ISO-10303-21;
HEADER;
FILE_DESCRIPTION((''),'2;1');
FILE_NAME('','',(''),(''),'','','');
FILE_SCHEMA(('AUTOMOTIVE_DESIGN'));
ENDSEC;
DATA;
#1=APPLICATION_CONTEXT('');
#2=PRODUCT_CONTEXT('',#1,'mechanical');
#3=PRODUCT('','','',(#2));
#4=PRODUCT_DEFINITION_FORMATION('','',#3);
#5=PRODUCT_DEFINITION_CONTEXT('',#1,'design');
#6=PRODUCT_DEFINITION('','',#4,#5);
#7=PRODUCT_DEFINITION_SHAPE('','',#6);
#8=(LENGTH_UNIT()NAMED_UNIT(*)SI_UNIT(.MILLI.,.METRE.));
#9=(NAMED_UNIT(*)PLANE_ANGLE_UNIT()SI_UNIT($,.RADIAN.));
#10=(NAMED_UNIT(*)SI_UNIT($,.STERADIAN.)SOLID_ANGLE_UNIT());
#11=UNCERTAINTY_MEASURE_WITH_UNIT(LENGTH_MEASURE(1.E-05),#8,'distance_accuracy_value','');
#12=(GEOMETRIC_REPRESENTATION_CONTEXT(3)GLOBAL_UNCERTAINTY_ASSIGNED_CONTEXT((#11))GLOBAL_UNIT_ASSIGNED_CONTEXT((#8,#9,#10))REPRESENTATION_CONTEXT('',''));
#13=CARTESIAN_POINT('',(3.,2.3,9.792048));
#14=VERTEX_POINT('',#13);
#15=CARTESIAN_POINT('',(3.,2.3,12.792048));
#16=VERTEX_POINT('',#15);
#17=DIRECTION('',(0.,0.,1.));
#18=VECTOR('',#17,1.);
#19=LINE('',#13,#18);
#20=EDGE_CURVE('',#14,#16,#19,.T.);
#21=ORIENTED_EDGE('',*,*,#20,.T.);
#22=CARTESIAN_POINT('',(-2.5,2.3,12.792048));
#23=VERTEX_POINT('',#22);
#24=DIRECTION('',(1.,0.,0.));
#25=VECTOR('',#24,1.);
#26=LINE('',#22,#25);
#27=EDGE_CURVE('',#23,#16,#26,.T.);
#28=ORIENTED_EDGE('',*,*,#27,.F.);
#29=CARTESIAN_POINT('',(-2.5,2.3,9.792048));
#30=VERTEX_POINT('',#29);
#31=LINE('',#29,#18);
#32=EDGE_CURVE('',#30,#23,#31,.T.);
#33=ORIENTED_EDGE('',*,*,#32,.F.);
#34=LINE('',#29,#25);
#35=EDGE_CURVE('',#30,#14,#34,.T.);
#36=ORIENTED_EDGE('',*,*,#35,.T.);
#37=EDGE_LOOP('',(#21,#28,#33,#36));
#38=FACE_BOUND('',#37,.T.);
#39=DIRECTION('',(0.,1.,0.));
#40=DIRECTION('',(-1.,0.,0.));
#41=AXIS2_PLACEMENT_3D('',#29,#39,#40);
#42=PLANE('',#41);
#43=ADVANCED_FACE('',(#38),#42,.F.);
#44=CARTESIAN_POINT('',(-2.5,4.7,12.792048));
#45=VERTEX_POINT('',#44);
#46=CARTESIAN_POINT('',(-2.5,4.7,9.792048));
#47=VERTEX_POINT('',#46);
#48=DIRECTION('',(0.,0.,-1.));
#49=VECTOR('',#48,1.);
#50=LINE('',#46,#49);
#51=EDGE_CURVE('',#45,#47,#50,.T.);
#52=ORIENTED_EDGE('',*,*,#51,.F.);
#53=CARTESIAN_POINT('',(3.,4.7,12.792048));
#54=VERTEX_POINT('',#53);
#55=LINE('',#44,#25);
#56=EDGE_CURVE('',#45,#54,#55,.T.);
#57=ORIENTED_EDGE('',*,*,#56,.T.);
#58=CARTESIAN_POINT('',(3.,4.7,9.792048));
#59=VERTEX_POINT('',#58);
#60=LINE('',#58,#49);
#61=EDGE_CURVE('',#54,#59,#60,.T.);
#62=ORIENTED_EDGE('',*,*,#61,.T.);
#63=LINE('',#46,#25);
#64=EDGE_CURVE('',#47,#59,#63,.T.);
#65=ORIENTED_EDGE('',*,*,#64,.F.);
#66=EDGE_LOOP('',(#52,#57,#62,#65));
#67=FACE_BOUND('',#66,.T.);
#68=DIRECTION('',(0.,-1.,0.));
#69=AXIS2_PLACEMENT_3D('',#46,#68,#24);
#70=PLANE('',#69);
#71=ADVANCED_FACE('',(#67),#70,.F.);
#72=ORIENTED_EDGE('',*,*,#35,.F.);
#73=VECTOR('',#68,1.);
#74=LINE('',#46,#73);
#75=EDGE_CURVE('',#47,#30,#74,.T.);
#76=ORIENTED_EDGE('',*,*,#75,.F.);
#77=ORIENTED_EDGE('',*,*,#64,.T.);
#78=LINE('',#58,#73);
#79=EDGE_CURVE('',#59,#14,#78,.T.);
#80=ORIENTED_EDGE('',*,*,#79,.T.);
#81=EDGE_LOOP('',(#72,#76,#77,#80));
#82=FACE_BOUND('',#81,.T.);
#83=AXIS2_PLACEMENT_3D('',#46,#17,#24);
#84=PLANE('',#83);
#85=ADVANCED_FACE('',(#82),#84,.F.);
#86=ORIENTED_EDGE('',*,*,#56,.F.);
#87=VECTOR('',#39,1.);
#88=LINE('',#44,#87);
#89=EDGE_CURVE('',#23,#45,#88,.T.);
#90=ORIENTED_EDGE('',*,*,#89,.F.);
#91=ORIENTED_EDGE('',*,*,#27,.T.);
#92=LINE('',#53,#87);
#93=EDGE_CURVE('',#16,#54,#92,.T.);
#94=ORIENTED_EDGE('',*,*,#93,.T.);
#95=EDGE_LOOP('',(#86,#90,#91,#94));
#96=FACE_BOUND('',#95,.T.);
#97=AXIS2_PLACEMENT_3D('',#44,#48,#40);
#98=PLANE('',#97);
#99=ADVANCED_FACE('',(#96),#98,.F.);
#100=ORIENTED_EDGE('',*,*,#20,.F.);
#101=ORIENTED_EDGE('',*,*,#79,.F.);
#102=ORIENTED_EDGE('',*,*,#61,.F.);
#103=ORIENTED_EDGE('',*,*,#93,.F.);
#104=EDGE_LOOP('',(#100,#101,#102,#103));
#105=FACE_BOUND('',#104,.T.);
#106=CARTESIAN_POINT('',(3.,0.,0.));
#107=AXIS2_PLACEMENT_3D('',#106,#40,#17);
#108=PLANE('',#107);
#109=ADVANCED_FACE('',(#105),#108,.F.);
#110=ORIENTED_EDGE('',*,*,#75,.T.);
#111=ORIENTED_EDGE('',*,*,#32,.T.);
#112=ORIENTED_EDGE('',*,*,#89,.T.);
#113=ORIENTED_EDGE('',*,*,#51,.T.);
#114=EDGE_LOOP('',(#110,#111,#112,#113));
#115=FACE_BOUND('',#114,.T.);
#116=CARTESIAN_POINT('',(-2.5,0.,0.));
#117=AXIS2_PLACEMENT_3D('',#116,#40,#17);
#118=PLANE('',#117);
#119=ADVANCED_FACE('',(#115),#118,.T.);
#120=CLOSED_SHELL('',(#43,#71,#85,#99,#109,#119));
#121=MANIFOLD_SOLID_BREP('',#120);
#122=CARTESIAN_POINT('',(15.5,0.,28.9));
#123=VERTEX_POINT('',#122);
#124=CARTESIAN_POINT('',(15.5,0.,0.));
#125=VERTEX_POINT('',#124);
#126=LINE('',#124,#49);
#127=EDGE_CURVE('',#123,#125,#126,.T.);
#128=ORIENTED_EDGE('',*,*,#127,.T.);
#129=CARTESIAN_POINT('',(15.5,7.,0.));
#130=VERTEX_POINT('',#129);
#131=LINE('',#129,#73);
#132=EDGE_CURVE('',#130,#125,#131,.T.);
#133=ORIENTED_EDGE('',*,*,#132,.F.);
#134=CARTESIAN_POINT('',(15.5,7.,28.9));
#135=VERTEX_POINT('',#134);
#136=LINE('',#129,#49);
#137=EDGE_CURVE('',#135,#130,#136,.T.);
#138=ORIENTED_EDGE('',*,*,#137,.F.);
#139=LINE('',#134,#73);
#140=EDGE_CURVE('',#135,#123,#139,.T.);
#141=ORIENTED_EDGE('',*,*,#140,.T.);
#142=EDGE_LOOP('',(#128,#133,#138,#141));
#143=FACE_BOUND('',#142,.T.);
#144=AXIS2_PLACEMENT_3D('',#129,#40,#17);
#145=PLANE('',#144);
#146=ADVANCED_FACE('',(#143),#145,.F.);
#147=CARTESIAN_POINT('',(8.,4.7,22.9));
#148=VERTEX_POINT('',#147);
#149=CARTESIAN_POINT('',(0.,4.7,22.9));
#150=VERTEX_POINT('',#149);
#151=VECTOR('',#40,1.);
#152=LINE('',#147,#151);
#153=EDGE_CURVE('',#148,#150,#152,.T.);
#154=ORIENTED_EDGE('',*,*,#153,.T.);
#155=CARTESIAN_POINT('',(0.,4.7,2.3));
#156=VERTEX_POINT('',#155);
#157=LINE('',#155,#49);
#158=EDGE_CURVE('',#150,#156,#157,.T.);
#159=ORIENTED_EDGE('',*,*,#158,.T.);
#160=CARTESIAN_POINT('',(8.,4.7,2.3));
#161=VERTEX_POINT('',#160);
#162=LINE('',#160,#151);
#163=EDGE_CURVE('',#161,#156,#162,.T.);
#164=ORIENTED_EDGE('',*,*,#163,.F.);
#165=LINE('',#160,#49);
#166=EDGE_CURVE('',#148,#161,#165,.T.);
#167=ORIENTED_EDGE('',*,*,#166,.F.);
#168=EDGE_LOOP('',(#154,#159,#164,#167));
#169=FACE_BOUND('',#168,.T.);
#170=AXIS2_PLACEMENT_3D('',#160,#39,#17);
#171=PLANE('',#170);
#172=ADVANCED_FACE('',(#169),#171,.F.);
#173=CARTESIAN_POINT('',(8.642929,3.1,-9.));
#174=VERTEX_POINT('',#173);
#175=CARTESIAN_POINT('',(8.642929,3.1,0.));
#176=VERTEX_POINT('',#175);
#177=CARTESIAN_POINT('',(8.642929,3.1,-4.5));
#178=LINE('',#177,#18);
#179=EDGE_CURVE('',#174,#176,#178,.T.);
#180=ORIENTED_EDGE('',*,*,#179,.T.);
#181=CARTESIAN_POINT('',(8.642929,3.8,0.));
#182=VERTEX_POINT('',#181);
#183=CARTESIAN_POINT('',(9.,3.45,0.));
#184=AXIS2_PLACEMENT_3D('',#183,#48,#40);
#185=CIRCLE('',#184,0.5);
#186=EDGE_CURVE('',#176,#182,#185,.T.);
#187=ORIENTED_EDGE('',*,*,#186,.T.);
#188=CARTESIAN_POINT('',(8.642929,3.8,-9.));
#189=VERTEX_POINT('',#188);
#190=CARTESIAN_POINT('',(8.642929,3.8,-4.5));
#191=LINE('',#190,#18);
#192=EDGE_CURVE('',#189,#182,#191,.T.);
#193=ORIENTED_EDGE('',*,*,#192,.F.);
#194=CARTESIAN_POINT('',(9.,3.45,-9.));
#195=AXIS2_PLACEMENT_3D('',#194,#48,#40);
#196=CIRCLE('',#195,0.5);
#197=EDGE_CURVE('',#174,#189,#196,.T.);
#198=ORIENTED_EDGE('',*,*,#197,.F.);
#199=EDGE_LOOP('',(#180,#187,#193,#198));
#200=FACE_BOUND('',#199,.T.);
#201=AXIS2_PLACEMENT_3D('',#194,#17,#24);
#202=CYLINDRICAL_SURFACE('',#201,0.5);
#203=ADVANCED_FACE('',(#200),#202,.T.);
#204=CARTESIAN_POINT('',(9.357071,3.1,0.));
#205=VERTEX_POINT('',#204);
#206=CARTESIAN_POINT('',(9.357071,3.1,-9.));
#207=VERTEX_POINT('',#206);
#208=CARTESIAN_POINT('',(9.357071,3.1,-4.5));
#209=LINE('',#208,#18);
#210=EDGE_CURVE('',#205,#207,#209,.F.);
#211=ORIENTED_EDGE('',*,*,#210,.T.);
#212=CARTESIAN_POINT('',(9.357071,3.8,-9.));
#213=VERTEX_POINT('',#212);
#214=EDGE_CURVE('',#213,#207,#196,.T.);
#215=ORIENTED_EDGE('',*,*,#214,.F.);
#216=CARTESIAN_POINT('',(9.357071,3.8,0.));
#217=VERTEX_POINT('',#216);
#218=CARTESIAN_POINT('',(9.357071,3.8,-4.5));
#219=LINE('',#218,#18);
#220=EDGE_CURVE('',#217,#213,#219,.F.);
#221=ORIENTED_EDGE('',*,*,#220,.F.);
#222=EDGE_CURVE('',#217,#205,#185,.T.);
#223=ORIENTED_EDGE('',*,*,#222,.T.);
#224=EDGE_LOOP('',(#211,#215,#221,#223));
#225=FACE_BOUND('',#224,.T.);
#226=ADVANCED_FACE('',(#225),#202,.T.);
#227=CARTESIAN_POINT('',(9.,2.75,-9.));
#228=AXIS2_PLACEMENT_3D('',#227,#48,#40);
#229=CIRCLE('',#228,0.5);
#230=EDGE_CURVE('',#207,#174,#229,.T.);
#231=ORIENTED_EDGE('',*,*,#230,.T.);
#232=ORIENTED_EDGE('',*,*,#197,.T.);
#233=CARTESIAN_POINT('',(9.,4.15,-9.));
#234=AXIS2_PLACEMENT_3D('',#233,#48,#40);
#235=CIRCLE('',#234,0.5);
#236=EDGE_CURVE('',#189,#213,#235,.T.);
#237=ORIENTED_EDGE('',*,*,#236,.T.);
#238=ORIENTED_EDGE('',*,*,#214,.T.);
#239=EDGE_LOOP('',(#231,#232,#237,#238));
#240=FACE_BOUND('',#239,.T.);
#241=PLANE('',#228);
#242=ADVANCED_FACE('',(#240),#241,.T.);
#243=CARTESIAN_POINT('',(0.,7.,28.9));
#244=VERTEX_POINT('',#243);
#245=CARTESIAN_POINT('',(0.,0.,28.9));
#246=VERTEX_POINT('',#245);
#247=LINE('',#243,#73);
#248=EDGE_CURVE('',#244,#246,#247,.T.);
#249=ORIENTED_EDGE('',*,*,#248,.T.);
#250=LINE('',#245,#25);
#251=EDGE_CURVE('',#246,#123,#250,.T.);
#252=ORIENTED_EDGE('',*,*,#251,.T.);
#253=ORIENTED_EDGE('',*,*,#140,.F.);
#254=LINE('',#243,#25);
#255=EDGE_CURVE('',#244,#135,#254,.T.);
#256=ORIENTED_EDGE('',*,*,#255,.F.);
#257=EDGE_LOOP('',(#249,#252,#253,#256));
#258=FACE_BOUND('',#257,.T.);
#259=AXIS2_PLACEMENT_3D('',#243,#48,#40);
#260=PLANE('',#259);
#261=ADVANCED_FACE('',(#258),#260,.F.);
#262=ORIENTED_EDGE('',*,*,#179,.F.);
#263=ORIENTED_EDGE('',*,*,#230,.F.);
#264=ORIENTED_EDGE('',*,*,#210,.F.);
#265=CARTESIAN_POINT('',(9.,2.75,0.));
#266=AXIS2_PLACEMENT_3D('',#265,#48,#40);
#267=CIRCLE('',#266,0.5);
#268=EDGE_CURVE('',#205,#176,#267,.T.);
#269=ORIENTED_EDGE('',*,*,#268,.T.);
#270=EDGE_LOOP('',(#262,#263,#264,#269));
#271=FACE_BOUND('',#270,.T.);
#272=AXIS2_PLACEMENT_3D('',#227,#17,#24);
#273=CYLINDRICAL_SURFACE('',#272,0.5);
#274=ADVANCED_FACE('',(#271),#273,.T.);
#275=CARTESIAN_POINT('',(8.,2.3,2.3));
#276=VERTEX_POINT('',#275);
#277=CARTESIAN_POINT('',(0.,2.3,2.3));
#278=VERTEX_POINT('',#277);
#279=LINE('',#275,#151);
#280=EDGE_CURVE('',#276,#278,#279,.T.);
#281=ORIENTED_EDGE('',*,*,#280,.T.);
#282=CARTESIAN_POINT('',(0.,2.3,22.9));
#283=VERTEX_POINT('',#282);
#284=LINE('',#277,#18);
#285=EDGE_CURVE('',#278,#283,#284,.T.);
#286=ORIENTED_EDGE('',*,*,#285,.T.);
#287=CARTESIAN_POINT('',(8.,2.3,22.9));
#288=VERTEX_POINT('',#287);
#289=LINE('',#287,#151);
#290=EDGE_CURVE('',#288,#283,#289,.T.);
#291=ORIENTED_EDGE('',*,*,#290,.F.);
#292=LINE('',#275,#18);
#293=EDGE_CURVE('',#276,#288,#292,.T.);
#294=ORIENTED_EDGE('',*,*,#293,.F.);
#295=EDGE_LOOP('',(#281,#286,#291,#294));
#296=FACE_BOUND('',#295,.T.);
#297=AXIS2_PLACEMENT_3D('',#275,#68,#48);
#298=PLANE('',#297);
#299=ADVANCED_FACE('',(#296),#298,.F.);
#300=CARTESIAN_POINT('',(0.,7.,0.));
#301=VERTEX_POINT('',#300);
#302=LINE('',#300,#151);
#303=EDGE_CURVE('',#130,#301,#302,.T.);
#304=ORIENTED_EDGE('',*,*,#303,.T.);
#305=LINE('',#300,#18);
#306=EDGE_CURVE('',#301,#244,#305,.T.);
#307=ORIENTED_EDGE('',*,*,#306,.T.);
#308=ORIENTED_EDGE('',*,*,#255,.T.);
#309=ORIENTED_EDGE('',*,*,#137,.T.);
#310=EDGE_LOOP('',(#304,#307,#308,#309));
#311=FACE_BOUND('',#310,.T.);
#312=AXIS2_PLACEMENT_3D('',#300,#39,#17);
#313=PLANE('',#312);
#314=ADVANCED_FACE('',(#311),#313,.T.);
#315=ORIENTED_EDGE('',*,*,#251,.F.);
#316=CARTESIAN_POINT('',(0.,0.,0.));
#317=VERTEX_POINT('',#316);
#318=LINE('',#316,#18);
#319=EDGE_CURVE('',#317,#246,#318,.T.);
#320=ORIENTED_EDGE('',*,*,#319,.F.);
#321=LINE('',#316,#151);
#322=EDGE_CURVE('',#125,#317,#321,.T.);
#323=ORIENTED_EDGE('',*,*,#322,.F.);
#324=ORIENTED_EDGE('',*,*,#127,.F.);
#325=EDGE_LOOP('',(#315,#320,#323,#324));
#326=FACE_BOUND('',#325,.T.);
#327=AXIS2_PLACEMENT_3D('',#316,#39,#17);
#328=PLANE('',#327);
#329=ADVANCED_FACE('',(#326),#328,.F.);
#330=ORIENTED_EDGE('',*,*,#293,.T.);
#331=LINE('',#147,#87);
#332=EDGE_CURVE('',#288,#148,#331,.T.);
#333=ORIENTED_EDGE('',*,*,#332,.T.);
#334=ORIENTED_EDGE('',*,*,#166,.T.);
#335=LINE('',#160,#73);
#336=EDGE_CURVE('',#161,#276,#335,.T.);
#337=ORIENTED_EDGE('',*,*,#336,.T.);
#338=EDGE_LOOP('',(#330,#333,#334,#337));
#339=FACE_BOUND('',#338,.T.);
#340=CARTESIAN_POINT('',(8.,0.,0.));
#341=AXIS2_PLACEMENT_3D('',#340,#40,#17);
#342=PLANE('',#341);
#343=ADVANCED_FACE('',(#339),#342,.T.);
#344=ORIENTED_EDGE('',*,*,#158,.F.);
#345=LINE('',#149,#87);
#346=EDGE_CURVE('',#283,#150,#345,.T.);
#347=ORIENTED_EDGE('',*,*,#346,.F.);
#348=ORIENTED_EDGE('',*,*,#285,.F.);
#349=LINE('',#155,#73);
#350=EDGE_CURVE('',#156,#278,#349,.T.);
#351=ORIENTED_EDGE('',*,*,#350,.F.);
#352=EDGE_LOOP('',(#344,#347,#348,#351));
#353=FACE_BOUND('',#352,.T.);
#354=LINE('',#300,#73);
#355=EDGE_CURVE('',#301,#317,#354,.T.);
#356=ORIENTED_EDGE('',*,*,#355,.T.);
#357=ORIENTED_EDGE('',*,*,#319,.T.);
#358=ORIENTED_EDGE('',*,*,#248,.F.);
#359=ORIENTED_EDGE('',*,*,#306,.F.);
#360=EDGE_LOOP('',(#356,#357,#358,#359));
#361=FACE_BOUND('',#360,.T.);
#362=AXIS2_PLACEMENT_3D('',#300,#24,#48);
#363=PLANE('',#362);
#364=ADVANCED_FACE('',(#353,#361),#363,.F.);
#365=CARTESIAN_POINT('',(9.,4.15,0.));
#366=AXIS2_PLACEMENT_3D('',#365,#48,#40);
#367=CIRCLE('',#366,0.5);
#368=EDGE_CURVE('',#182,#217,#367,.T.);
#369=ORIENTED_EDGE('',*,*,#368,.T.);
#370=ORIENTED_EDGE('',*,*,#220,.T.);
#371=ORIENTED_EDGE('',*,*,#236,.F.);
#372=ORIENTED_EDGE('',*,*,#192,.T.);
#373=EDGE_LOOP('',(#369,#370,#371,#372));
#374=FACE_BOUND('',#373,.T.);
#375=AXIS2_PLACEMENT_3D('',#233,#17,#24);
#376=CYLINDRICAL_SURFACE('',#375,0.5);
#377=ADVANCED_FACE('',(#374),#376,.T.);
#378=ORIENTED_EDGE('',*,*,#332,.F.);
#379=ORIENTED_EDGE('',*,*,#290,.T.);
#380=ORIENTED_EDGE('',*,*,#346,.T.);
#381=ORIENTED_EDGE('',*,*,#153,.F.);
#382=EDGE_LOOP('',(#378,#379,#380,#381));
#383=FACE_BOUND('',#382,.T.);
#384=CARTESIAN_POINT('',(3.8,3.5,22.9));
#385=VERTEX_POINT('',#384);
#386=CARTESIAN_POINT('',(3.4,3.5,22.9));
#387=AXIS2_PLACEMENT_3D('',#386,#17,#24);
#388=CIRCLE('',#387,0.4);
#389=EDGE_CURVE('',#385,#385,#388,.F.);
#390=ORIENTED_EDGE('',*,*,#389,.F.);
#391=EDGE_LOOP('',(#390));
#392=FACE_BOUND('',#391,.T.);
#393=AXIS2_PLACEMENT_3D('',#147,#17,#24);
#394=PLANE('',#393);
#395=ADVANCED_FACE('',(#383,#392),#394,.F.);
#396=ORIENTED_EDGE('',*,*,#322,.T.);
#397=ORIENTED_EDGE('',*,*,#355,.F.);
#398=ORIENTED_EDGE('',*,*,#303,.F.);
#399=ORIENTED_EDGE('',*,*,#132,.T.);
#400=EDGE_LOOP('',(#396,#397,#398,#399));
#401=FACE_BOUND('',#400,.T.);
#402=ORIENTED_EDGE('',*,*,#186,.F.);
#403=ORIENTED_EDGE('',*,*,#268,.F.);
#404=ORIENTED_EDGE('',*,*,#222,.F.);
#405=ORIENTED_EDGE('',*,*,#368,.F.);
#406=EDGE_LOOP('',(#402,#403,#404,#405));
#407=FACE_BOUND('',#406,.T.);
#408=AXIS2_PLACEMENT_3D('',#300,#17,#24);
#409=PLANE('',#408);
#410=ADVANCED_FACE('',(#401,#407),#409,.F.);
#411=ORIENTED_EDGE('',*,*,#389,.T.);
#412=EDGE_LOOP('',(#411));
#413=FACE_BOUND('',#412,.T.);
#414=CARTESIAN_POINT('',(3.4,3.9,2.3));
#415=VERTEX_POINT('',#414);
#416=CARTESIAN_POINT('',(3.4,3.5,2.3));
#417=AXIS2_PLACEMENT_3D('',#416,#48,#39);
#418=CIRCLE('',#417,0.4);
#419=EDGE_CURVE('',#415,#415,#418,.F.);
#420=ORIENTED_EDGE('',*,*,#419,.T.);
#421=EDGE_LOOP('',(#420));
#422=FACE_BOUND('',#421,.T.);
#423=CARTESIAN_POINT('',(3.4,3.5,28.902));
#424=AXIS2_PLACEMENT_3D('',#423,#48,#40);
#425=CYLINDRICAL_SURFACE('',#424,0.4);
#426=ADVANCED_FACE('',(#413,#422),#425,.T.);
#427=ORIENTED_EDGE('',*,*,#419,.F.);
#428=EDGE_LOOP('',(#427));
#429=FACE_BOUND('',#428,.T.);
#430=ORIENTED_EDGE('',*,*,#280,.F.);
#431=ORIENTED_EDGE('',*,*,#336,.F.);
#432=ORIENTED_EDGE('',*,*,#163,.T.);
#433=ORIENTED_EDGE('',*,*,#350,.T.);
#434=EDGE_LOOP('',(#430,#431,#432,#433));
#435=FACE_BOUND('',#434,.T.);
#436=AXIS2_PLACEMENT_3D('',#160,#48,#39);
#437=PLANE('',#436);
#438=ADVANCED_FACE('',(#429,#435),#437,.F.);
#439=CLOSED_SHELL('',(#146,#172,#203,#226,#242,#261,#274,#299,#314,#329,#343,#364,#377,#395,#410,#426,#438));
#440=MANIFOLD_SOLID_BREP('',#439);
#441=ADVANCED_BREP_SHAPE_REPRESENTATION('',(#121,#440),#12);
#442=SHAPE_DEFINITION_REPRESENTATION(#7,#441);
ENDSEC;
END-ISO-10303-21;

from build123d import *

# Parameters (mm, degrees)
ESQUISSE1_W             = 15.5
ESQUISSE1_H             = 28.9
BOSS_EXTRU_1_DEPTH      = 7
ESQUISSE2_W             = 20.6
ESQUISSE2_H             = 2.4
ENL_V_MAT_EXTRU_1_DEPTH = 8
BOSS_EXTRU_2_REACH      = 33.572
ESQUISSE3_R             = 0.4
ESQUISSE4_W             = 3
ESQUISSE4_H             = 2.4
BOSS_EXTRU_4_DEPTH      = 5.5
ESQUISSE6_R             = 0.5
BOSS_EXTRU_5_DEPTH      = 9


with BuildPart() as part:
    # Esquisse1 → Boss.-Extru.1 (new body)
    with BuildSketch(Plane(origin=(0, 0, 0), x_dir=(1, 0, 0), z_dir=(0, 1, 0))):
        with Locations((7.75, -14.45)):
            Rectangle(ESQUISSE1_W, ESQUISSE1_H)
    extrude(amount=BOSS_EXTRU_1_DEPTH)

    # Esquisse2 → Enlèv. mat.-Extru.1 (cut)
    with BuildSketch(Plane.ZY):
        with Locations((12.6, 3.5)):
            Rectangle(ESQUISSE2_W, ESQUISSE2_H)
    extrude(amount=-ENL_V_MAT_EXTRU_1_DEPTH, mode=Mode.SUBTRACT)

    # Esquisse3 → Boss.-Extru.2 (add, up to next)
    with BuildSketch(Plane.XY.offset(2.3), mode=Mode.PRIVATE) as boss_extru_2_sk1:
        with Locations(Location((3.4, 3.5, 0), (0, 0, 90))):
            Circle(ESQUISSE3_R)
    boss_extru_2_tool1 = extrude(boss_extru_2_sk1.sketch, amount=BOSS_EXTRU_2_REACH, mode=Mode.PRIVATE) - part.part
    add(boss_extru_2_tool1.solids().sort_by_distance((3.4, 3.5, 2.3))[0])

    # Esquisse6 → Boss.-Extru.5 (add)
    with BuildSketch(Plane(origin=(0, 0, 0), x_dir=(-1, 0, 0), z_dir=(0, 0, -1))):
        with Locations((-9, 4.15)):
            Circle(ESQUISSE6_R)
        with Locations((-9, 3.45)):
            Circle(ESQUISSE6_R)
        with Locations((-9, 2.75)):
            Circle(ESQUISSE6_R)
    extrude(amount=BOSS_EXTRU_5_DEPTH)


with BuildPart() as body_2:
    # Esquisse4 → Boss.-Extru.4 (new body)
    with BuildSketch(Plane.ZY.offset(-3)):
        with Locations((11.292047873, 3.5)):
            Rectangle(ESQUISSE4_W, ESQUISSE4_H)
    extrude(amount=BOSS_EXTRU_4_DEPTH)


solid = Compound([part.part, body_2.part])
